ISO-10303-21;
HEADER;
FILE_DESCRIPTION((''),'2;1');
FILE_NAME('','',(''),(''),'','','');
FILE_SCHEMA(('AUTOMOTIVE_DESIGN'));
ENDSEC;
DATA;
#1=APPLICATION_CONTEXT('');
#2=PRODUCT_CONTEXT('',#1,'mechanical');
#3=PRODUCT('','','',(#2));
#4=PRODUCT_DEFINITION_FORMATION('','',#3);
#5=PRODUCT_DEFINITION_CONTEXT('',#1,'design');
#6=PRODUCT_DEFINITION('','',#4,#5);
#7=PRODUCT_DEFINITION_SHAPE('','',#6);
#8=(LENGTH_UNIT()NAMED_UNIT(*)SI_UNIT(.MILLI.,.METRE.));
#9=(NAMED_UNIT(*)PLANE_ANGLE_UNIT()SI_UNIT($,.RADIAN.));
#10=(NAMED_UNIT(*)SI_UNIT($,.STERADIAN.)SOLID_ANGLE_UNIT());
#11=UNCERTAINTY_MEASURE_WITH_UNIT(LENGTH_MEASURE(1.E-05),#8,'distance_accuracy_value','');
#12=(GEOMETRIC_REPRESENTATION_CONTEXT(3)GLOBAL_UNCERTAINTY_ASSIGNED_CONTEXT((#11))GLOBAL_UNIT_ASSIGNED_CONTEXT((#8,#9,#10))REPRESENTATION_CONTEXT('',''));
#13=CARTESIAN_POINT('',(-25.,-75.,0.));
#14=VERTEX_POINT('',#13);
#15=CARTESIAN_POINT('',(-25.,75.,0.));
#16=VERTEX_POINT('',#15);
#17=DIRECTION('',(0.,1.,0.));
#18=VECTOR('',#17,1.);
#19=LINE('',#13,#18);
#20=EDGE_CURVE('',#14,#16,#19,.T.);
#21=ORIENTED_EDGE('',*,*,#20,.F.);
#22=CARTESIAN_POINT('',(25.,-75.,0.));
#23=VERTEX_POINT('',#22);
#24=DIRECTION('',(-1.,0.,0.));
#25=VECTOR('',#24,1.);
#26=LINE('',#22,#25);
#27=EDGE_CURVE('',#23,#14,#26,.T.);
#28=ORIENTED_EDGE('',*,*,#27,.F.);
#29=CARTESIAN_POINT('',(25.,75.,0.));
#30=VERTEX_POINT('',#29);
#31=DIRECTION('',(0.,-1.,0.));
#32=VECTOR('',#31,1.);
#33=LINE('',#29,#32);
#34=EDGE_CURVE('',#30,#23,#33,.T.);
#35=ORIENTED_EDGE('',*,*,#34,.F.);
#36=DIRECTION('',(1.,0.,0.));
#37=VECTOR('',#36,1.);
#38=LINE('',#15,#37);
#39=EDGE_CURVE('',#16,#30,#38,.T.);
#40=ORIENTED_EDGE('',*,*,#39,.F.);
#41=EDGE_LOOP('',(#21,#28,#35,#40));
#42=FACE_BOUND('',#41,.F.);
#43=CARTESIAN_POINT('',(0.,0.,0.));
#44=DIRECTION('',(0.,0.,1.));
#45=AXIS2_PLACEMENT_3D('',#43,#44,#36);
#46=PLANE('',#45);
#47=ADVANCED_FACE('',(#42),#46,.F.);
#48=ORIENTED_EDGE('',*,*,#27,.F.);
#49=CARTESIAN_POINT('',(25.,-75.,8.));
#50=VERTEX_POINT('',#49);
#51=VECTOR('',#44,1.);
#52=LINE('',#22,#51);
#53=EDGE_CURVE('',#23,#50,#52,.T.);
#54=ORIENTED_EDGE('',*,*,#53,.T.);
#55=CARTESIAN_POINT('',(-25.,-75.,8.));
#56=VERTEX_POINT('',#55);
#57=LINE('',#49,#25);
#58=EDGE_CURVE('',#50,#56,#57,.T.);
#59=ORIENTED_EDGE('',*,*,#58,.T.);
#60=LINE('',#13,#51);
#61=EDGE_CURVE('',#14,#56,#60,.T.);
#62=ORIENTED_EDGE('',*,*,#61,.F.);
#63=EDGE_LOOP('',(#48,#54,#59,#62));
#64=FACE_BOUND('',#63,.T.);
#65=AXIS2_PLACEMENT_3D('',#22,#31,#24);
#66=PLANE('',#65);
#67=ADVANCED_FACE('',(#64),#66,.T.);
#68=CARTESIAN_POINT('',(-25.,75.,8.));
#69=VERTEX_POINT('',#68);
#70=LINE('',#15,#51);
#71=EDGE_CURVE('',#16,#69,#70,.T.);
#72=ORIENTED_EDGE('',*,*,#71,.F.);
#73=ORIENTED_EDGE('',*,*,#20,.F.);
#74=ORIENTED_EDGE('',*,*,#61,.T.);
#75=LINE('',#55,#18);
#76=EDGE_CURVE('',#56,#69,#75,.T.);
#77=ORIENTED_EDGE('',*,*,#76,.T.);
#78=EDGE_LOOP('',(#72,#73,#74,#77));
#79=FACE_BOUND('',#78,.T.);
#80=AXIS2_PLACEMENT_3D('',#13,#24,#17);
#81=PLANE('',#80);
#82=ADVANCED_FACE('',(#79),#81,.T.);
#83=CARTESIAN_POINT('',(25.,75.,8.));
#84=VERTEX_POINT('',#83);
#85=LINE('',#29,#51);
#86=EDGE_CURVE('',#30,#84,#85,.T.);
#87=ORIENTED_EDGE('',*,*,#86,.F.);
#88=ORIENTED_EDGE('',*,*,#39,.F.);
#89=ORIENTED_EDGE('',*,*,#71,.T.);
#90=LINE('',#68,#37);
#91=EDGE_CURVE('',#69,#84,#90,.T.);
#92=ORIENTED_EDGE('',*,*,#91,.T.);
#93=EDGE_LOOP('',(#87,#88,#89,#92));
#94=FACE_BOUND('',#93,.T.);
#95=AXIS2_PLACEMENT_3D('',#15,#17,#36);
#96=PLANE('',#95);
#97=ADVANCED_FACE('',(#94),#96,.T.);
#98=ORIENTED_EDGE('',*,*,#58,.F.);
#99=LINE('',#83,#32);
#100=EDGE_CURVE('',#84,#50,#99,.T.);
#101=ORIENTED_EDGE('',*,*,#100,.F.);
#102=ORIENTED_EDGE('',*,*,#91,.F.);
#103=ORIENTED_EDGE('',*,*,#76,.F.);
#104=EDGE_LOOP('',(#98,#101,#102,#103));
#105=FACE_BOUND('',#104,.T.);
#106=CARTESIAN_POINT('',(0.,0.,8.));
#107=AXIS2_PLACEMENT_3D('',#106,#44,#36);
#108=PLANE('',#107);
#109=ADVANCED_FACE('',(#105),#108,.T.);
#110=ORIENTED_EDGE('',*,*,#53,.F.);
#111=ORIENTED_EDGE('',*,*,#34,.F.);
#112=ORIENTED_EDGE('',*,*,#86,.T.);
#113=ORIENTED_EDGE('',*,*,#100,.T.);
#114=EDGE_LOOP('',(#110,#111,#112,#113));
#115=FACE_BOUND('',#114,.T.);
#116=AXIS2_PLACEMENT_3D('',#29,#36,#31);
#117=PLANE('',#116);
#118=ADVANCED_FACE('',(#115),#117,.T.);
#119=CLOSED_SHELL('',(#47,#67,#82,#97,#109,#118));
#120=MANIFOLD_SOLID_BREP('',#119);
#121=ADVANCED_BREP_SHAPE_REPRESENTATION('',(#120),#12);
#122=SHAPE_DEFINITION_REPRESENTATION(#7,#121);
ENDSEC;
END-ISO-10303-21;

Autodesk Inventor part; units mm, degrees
ref_plane "YZ Plane" through (0, 0, 0) normal (1, 0, 0) x (0, 1, 0)
ref_plane "XZ Plane" through (0, 0, 0) normal (0, 1, 0) x (-1, 0, 0)
ref_plane "XY Plane" through (0, 0, 0) normal (0, 0, 1) x (1, 0, 0)
sketch "Sketch1" plane through (0, 0, 0) normal (0, 0, 1) x (1, 0, 0)
  line L0 (-25, 75) -> (25, 75)
  line L1 (25, 75) -> (25, -75)
  line L2 (25, -75) -> (-25, -75)
  line L3 (-25, -75) -> (-25, 75)
  point P0 (0, 0)
  dimension "d0" = 50
  dimension "d1" = 150
  dimension "d2" = 75
  dimension "d3" = 25
extrude "Extrusion1" add sketch "Sketch1" along normal blind 8
equation "\"d2\" = 0.5 * d1"
equation "\"d3\" = 0.5 * d0"
properties part number "mobile bottom plate"
